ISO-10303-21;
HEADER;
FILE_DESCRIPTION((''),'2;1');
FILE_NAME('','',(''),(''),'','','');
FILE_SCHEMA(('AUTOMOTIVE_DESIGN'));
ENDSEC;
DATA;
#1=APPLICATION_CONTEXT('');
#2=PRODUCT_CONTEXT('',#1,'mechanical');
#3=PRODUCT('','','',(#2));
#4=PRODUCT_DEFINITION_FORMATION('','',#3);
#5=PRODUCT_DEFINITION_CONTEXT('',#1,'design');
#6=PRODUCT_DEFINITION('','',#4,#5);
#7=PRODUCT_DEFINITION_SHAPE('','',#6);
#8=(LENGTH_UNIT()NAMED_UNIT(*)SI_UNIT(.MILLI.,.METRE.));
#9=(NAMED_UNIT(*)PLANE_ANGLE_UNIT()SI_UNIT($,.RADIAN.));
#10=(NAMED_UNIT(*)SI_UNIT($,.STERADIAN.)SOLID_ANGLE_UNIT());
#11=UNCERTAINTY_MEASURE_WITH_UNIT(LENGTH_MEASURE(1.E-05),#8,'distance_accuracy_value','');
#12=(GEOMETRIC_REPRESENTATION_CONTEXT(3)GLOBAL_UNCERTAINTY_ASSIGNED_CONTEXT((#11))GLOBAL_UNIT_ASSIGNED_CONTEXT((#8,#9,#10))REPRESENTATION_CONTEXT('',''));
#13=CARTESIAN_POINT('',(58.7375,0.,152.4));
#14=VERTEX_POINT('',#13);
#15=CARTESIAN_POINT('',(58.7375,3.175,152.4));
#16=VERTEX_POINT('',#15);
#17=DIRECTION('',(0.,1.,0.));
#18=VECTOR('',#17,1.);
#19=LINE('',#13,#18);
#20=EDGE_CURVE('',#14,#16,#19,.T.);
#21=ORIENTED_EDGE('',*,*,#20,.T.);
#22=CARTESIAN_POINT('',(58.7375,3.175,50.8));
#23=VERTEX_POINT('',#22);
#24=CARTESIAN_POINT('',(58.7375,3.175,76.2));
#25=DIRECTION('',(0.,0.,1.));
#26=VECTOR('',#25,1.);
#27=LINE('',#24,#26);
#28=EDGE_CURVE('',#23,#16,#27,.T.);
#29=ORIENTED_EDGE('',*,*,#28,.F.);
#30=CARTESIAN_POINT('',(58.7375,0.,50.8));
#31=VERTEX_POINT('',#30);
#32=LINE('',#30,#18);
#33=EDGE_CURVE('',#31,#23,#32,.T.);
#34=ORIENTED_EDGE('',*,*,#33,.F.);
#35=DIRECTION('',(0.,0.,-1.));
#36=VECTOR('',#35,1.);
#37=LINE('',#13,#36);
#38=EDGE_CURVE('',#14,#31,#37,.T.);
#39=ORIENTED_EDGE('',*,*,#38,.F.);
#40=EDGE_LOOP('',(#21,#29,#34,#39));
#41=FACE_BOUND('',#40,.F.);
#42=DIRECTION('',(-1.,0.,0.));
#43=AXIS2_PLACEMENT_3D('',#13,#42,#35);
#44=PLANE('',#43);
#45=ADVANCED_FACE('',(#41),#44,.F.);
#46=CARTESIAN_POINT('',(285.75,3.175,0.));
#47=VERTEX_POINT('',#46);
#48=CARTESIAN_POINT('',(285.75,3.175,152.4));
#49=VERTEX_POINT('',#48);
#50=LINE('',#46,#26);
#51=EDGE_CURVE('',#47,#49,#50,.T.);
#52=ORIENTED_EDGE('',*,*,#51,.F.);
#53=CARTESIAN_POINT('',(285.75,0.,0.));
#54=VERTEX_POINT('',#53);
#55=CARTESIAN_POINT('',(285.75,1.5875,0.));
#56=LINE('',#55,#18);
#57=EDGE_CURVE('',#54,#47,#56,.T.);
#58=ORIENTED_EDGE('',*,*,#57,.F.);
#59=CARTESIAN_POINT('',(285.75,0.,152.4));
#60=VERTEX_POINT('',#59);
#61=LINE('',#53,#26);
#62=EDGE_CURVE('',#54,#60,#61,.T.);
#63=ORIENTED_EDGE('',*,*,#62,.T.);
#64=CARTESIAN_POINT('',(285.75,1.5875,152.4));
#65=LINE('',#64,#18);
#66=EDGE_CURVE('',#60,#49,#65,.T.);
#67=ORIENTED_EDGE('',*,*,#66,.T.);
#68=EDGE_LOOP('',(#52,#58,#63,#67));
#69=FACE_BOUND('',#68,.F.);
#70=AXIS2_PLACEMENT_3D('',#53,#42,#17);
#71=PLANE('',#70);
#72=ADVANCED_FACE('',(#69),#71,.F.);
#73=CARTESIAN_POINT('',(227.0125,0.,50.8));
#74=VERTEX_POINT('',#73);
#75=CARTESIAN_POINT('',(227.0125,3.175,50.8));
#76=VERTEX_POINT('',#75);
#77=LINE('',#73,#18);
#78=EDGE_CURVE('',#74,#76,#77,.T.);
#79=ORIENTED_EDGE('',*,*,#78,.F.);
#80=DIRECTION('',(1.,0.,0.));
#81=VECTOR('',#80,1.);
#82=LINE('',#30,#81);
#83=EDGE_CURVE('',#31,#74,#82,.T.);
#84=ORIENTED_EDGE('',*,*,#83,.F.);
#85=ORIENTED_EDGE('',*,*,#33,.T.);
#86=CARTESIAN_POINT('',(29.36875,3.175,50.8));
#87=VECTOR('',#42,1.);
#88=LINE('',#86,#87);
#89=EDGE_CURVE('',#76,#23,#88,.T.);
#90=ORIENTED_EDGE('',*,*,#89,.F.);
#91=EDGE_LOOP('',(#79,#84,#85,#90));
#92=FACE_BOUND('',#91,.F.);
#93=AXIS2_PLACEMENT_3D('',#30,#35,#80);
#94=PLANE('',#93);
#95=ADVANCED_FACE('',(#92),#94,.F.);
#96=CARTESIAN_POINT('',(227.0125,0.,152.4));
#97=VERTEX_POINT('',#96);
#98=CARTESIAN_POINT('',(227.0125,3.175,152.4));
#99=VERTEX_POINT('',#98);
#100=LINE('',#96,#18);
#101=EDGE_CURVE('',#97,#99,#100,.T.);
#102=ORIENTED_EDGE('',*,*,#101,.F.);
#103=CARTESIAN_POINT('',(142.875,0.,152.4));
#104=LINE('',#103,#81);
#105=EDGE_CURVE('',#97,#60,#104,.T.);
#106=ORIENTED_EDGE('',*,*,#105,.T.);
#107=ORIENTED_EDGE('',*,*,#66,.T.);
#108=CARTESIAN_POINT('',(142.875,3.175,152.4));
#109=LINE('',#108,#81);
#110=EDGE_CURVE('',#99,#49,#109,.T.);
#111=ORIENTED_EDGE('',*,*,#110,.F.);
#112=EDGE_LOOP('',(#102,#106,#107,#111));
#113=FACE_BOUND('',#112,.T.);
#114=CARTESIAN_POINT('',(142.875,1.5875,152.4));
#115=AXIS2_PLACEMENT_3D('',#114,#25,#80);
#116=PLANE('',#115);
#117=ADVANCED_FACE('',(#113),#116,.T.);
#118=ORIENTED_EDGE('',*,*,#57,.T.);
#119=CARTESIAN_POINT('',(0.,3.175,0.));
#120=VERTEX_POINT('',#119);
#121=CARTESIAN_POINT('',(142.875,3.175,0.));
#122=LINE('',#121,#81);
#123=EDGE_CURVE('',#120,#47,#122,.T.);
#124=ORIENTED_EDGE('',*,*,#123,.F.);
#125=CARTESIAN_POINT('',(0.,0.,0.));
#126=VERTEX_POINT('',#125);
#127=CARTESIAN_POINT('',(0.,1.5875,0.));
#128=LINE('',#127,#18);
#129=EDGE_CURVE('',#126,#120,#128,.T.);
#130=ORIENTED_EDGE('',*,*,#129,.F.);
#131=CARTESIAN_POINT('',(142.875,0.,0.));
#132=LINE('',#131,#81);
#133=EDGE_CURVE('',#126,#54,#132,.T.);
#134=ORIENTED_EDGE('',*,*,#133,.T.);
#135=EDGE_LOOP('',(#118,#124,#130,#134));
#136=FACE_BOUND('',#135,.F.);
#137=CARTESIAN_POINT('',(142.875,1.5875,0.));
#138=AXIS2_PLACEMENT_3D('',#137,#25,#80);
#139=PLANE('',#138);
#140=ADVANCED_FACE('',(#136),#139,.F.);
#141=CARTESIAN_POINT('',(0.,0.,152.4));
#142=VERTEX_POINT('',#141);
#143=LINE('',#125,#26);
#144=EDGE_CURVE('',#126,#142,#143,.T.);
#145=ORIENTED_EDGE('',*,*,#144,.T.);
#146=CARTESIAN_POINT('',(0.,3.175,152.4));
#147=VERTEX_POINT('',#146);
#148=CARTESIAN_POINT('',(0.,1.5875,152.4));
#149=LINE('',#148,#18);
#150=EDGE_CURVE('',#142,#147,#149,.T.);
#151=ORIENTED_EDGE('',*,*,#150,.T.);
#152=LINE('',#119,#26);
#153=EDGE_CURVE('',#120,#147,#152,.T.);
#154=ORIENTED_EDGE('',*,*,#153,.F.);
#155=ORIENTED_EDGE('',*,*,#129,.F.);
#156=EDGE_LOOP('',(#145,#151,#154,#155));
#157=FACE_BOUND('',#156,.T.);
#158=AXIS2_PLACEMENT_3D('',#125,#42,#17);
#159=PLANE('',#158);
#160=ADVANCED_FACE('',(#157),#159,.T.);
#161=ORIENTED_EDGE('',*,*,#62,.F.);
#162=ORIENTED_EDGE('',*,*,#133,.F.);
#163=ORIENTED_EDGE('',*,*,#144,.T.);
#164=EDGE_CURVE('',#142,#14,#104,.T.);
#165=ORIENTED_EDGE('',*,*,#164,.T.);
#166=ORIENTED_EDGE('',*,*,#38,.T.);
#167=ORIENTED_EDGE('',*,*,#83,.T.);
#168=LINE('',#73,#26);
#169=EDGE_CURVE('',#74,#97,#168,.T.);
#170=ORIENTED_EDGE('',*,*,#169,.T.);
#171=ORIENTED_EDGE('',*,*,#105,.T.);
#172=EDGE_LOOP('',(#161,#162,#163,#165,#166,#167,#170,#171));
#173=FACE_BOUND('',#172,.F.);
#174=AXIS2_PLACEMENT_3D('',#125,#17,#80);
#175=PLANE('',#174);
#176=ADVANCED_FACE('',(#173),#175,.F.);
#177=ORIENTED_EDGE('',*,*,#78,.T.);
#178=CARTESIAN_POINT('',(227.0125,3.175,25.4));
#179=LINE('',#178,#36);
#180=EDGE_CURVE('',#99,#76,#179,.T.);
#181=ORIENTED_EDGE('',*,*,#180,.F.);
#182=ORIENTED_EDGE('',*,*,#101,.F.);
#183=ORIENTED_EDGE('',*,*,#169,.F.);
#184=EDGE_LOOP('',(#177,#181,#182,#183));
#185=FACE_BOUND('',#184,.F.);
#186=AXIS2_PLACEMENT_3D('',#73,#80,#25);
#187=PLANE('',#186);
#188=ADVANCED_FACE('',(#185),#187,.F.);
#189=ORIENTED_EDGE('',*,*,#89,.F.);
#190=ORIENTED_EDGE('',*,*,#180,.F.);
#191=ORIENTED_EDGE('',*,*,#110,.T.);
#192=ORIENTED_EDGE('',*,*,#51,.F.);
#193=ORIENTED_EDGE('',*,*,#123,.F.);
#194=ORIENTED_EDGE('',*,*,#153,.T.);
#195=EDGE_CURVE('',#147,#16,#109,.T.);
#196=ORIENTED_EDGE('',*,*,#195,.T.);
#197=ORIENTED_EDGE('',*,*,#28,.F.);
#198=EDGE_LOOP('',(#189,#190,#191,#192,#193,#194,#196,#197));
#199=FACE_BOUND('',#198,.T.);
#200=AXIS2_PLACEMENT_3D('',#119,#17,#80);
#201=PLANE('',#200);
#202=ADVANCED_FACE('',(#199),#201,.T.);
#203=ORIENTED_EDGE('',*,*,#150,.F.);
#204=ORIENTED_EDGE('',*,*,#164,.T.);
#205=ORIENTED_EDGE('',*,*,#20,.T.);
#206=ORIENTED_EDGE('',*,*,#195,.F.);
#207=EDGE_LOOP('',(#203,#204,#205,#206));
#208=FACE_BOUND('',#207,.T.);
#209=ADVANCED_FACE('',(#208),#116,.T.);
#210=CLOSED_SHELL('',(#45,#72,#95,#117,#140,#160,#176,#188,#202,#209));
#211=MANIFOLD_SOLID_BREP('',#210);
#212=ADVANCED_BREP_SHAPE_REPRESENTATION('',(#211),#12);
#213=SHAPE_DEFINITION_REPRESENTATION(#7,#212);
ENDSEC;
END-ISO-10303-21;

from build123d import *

# Parameters (mm, degrees)
F0_W     = 285.75
F0_H     = 3.175
F1_DEPTH = 152.4
F3_DEPTH = 25.4


with BuildPart() as f1:
    # F0 (on Top) → F1 (new body)
    with BuildSketch(Plane.XY):
        with Locations((142.875, 1.5875)):
            Rectangle(F0_W, F0_H)
    extrude(amount=F1_DEPTH)

    # F2 (on face) → F3 (cut)
    with BuildSketch(Plane.XZ):
        Polygon((58.7375, 50.8), (142.875, 50.8), (227.0125, 50.8), (227.0125, 76.2), (227.0125, 152.4), (58.7375, 152.4), (58.7375, 76.2), align=None)
    extrude(amount=-F3_DEPTH, mode=Mode.SUBTRACT)


solid = f1.part
